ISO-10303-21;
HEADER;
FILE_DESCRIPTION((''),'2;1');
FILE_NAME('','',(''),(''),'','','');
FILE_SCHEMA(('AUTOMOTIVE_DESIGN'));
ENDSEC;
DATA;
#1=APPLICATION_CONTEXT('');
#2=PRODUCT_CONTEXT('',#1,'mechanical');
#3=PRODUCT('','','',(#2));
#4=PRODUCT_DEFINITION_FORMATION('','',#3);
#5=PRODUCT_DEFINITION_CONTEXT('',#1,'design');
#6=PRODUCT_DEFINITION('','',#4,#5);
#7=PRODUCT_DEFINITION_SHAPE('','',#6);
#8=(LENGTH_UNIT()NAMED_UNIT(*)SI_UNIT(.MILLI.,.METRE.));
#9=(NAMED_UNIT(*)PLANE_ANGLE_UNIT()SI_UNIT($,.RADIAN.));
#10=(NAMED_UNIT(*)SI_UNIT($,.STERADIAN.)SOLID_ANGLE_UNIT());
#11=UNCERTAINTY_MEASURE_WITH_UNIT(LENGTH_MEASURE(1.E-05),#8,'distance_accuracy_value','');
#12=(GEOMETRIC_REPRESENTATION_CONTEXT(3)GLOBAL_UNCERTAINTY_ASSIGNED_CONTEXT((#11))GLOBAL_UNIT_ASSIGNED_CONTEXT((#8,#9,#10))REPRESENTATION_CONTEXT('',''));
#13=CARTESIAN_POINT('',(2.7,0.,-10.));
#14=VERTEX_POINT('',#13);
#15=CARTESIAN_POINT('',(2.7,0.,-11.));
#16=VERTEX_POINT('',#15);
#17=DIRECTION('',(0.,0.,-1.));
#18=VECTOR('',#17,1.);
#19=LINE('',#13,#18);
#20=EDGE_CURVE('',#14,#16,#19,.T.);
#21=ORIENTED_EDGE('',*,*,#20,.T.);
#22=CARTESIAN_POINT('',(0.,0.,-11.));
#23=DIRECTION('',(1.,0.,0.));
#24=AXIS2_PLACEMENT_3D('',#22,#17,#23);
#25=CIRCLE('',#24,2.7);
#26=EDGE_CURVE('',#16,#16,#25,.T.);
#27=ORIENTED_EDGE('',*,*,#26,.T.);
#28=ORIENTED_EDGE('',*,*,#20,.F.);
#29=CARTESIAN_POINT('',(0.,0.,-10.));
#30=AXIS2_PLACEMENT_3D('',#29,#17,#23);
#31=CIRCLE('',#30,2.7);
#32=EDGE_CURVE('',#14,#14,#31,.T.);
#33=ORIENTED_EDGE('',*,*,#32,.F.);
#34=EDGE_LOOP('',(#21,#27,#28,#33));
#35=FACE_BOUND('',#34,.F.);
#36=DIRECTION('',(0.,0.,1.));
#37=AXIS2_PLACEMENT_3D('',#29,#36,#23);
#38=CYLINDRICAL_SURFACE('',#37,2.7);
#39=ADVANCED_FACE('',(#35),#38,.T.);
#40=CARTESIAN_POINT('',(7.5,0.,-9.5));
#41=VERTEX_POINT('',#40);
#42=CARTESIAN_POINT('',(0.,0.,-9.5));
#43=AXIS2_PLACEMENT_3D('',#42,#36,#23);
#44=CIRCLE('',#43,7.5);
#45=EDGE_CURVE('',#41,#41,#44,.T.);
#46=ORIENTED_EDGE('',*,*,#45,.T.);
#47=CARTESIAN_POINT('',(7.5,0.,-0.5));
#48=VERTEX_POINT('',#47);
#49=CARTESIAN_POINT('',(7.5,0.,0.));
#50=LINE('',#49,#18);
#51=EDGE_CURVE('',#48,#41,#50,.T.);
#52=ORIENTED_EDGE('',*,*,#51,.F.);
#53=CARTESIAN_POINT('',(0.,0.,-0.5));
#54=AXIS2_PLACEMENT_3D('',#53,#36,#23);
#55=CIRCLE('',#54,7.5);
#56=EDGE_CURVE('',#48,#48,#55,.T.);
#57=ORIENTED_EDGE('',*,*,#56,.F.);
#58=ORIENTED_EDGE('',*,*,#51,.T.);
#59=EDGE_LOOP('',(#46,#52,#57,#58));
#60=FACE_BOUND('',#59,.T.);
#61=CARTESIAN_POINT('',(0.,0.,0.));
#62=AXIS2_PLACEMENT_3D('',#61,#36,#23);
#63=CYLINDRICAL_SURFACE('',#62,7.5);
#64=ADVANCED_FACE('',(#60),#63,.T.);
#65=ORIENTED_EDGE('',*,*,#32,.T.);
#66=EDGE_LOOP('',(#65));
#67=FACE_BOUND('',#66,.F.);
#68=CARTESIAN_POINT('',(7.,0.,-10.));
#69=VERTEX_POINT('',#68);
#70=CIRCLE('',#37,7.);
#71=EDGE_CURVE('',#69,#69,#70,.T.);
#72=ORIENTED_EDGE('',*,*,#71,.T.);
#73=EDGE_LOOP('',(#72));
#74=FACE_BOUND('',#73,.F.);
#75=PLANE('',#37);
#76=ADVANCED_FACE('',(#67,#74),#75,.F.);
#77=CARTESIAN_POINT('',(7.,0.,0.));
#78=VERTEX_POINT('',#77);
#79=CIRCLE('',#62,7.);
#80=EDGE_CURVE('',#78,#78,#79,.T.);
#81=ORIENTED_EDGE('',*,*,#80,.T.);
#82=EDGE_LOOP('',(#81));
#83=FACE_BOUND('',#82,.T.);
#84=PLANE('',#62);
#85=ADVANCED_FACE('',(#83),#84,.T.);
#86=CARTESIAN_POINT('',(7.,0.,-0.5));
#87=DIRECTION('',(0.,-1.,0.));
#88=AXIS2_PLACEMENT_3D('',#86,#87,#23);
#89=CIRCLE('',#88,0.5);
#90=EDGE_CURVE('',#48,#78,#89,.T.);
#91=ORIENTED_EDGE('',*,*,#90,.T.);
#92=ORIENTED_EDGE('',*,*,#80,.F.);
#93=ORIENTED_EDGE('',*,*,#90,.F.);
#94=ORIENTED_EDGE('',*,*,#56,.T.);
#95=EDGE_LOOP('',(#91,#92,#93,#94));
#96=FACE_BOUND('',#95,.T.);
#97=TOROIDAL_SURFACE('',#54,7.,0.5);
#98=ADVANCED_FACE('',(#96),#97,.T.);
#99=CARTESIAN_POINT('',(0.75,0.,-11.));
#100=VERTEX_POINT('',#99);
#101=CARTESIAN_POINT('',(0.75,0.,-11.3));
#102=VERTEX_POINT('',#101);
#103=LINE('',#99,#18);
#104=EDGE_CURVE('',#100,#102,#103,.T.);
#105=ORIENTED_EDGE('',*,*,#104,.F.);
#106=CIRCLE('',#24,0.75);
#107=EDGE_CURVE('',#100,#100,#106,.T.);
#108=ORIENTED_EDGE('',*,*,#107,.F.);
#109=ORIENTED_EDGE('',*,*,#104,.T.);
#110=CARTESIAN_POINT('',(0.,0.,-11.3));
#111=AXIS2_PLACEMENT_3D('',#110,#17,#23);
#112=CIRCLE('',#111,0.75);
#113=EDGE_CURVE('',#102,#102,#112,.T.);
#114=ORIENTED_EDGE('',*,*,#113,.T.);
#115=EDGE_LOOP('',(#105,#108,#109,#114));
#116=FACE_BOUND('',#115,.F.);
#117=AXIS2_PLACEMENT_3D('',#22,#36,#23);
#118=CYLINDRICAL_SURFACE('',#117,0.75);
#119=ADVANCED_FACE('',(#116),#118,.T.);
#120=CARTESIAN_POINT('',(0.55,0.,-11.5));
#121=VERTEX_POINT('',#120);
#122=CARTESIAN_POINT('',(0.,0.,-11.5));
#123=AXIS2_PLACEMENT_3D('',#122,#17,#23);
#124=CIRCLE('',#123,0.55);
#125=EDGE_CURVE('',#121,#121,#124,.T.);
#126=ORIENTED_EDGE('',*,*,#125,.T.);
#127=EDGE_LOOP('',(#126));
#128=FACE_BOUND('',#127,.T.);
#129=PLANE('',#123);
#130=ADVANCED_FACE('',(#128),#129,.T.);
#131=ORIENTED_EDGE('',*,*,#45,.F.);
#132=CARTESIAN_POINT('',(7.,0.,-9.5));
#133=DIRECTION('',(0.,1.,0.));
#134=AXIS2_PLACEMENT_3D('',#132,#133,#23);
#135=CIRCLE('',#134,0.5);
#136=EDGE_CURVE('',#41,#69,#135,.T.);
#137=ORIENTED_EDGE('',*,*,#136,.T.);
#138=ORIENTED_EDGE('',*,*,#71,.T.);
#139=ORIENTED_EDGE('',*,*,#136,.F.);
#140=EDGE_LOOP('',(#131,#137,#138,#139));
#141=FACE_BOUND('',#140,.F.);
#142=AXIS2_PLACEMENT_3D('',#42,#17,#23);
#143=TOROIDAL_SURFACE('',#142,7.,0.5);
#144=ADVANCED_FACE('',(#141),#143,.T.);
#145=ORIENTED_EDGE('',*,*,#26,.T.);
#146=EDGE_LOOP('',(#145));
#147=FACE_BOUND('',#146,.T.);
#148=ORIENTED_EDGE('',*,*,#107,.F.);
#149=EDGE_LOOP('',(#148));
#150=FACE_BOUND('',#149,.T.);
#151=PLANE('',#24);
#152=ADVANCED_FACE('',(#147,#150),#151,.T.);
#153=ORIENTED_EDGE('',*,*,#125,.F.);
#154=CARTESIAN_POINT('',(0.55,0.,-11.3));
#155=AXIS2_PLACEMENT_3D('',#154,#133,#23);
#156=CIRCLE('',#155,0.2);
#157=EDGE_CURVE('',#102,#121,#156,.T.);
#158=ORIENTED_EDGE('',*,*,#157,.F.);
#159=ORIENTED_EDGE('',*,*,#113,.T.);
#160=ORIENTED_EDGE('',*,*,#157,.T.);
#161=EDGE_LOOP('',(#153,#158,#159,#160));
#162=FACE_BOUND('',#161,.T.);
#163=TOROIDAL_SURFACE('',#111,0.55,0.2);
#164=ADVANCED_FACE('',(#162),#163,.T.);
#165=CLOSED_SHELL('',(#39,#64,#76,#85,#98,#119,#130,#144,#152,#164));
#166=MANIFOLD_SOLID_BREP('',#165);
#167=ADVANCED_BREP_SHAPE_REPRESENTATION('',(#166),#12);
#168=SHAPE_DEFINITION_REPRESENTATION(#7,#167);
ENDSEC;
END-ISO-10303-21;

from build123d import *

# Parameters (mm, degrees)
SKETCH004_R  = 7.5
PAD004_DEPTH = 10
FILLET_R     = 0.5
SKETCH005_R  = 2.7
PAD005_DEPTH = 1
SKETCH006_R  = 0.75
PAD006_DEPTH = 0.5
FILLET001_R  = 0.2


with BuildPart() as part:
    # Sketch004 → Pad004 (new body)
    with BuildSketch(Plane.XY):
        Circle(SKETCH004_R)
    extrude(amount=-PAD004_DEPTH)

    # Fillet
    fillet_edges = [part.edges().sort_by_distance(p)[0] for p in [
        (-7.5, 0, 0),
        (-7.5, 0, -10),
    ]]
    fillet(fillet_edges, radius=FILLET_R)

    # Sketch005 (on Face5 of Fillet) → Pad005 (join)
    with BuildSketch(Plane(origin=(0, 0, -10), x_dir=(1, 0, 0), z_dir=(0, 0, -1))):
        Circle(SKETCH005_R)
    extrude(amount=PAD005_DEPTH)

    # Sketch006 (on Face7 of Pad005) → Pad006 (join)
    with BuildSketch(Plane(origin=(0, 0, -11), x_dir=(1, 0, 0), z_dir=(0, 0, -1))):
        Circle(SKETCH006_R)
    extrude(amount=PAD006_DEPTH)

    # Fillet001
    fillet001_edges = [part.edges().sort_by_distance(p)[0] for p in [
        (-0.75, 0, -11.5),
    ]]
    fillet(fillet001_edges, radius=FILLET001_R)


solid = part.part
